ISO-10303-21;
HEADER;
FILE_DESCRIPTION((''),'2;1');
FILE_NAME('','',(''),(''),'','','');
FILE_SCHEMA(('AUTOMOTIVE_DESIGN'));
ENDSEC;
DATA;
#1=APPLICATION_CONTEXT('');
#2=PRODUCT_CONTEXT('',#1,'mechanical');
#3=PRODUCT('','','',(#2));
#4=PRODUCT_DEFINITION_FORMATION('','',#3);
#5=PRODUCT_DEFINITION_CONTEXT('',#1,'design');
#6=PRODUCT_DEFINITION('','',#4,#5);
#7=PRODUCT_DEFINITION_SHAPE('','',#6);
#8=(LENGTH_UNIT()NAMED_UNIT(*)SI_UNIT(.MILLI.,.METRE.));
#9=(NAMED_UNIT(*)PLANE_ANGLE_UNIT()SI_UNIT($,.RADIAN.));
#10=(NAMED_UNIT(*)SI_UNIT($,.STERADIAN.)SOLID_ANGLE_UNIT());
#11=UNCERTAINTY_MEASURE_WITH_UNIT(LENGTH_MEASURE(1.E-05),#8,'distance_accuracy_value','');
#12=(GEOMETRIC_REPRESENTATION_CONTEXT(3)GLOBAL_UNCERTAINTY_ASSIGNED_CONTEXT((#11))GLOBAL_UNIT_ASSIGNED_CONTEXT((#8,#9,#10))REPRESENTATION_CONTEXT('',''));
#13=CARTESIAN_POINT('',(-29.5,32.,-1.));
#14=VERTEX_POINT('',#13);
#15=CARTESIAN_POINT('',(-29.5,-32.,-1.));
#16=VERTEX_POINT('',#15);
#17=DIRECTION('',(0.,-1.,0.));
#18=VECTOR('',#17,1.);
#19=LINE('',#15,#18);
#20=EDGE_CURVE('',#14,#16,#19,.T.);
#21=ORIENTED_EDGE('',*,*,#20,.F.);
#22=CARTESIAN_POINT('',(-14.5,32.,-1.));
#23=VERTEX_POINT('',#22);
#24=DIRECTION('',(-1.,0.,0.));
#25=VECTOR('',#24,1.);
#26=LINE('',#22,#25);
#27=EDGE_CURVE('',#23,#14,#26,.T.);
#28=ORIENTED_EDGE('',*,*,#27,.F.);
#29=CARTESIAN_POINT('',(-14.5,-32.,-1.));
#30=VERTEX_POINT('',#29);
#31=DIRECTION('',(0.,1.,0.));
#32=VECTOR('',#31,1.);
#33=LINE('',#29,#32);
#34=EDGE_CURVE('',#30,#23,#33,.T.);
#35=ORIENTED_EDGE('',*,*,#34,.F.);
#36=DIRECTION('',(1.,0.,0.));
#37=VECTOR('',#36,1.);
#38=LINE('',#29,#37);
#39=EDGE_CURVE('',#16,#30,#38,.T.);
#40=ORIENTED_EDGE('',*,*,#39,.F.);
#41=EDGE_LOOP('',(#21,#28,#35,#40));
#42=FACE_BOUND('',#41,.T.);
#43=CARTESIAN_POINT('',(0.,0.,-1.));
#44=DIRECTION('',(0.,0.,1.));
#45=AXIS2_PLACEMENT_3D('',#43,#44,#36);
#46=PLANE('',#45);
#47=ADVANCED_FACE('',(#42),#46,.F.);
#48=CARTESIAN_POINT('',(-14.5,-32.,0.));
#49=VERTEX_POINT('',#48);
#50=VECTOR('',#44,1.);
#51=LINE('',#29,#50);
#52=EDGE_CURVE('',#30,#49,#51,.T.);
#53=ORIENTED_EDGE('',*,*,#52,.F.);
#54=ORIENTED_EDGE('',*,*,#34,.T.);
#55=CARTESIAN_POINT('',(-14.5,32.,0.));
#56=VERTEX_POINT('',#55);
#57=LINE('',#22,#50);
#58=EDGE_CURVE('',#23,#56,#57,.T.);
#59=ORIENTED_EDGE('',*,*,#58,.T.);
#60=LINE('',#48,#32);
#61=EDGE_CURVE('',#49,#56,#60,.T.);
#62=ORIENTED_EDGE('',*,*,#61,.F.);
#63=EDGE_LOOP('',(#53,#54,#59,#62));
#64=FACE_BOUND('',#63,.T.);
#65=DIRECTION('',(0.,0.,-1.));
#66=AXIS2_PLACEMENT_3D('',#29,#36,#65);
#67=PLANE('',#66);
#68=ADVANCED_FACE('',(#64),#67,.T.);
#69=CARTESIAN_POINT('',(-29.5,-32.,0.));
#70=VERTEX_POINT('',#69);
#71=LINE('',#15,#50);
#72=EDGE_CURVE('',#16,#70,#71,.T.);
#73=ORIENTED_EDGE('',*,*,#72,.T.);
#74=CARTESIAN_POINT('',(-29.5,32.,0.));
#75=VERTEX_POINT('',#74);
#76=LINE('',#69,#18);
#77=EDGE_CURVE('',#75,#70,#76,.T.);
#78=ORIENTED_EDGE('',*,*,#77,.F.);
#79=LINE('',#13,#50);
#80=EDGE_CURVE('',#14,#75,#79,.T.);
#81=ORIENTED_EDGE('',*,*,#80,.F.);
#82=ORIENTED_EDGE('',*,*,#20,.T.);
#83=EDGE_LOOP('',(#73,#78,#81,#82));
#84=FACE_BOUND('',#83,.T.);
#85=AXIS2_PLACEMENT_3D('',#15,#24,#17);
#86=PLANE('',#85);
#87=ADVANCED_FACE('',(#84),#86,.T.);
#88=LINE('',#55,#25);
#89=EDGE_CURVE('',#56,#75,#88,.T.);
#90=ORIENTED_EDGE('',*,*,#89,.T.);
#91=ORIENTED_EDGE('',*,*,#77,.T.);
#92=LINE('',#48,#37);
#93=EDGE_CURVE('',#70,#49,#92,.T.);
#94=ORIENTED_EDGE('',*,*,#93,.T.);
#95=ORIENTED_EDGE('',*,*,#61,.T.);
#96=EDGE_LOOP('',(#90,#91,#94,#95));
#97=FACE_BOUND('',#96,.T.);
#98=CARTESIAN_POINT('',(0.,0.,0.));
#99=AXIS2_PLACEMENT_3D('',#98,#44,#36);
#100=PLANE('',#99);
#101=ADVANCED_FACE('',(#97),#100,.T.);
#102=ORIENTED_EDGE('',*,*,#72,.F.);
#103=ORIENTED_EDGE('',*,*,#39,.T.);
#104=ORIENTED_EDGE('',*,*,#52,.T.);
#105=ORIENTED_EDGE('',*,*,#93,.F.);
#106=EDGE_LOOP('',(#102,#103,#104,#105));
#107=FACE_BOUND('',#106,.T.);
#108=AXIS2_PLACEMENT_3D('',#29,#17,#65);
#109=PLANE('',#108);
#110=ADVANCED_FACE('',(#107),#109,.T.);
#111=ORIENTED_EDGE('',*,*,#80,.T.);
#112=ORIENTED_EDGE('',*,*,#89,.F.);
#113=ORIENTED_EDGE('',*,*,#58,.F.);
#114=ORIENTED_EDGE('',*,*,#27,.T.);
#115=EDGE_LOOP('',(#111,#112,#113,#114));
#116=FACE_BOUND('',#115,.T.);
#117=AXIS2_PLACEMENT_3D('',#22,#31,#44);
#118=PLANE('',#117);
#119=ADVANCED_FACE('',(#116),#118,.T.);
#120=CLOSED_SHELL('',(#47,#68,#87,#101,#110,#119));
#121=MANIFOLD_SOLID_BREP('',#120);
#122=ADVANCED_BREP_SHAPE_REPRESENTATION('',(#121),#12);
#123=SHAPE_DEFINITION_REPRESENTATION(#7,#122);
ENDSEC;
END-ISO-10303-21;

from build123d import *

# Parameters (mm, degrees)
SKETCH1_W           = 15
SKETCH1_H           = 64
BOSS_EXTRUDE1_DEPTH = 1


with BuildPart() as part:
    # Sketch1 → Boss-Extrude1 (new body)
    with BuildSketch(Plane.XY):
        with Locations((-22, 0)):
            Rectangle(SKETCH1_W, SKETCH1_H)
    extrude(amount=-BOSS_EXTRUDE1_DEPTH)


solid = part.part
